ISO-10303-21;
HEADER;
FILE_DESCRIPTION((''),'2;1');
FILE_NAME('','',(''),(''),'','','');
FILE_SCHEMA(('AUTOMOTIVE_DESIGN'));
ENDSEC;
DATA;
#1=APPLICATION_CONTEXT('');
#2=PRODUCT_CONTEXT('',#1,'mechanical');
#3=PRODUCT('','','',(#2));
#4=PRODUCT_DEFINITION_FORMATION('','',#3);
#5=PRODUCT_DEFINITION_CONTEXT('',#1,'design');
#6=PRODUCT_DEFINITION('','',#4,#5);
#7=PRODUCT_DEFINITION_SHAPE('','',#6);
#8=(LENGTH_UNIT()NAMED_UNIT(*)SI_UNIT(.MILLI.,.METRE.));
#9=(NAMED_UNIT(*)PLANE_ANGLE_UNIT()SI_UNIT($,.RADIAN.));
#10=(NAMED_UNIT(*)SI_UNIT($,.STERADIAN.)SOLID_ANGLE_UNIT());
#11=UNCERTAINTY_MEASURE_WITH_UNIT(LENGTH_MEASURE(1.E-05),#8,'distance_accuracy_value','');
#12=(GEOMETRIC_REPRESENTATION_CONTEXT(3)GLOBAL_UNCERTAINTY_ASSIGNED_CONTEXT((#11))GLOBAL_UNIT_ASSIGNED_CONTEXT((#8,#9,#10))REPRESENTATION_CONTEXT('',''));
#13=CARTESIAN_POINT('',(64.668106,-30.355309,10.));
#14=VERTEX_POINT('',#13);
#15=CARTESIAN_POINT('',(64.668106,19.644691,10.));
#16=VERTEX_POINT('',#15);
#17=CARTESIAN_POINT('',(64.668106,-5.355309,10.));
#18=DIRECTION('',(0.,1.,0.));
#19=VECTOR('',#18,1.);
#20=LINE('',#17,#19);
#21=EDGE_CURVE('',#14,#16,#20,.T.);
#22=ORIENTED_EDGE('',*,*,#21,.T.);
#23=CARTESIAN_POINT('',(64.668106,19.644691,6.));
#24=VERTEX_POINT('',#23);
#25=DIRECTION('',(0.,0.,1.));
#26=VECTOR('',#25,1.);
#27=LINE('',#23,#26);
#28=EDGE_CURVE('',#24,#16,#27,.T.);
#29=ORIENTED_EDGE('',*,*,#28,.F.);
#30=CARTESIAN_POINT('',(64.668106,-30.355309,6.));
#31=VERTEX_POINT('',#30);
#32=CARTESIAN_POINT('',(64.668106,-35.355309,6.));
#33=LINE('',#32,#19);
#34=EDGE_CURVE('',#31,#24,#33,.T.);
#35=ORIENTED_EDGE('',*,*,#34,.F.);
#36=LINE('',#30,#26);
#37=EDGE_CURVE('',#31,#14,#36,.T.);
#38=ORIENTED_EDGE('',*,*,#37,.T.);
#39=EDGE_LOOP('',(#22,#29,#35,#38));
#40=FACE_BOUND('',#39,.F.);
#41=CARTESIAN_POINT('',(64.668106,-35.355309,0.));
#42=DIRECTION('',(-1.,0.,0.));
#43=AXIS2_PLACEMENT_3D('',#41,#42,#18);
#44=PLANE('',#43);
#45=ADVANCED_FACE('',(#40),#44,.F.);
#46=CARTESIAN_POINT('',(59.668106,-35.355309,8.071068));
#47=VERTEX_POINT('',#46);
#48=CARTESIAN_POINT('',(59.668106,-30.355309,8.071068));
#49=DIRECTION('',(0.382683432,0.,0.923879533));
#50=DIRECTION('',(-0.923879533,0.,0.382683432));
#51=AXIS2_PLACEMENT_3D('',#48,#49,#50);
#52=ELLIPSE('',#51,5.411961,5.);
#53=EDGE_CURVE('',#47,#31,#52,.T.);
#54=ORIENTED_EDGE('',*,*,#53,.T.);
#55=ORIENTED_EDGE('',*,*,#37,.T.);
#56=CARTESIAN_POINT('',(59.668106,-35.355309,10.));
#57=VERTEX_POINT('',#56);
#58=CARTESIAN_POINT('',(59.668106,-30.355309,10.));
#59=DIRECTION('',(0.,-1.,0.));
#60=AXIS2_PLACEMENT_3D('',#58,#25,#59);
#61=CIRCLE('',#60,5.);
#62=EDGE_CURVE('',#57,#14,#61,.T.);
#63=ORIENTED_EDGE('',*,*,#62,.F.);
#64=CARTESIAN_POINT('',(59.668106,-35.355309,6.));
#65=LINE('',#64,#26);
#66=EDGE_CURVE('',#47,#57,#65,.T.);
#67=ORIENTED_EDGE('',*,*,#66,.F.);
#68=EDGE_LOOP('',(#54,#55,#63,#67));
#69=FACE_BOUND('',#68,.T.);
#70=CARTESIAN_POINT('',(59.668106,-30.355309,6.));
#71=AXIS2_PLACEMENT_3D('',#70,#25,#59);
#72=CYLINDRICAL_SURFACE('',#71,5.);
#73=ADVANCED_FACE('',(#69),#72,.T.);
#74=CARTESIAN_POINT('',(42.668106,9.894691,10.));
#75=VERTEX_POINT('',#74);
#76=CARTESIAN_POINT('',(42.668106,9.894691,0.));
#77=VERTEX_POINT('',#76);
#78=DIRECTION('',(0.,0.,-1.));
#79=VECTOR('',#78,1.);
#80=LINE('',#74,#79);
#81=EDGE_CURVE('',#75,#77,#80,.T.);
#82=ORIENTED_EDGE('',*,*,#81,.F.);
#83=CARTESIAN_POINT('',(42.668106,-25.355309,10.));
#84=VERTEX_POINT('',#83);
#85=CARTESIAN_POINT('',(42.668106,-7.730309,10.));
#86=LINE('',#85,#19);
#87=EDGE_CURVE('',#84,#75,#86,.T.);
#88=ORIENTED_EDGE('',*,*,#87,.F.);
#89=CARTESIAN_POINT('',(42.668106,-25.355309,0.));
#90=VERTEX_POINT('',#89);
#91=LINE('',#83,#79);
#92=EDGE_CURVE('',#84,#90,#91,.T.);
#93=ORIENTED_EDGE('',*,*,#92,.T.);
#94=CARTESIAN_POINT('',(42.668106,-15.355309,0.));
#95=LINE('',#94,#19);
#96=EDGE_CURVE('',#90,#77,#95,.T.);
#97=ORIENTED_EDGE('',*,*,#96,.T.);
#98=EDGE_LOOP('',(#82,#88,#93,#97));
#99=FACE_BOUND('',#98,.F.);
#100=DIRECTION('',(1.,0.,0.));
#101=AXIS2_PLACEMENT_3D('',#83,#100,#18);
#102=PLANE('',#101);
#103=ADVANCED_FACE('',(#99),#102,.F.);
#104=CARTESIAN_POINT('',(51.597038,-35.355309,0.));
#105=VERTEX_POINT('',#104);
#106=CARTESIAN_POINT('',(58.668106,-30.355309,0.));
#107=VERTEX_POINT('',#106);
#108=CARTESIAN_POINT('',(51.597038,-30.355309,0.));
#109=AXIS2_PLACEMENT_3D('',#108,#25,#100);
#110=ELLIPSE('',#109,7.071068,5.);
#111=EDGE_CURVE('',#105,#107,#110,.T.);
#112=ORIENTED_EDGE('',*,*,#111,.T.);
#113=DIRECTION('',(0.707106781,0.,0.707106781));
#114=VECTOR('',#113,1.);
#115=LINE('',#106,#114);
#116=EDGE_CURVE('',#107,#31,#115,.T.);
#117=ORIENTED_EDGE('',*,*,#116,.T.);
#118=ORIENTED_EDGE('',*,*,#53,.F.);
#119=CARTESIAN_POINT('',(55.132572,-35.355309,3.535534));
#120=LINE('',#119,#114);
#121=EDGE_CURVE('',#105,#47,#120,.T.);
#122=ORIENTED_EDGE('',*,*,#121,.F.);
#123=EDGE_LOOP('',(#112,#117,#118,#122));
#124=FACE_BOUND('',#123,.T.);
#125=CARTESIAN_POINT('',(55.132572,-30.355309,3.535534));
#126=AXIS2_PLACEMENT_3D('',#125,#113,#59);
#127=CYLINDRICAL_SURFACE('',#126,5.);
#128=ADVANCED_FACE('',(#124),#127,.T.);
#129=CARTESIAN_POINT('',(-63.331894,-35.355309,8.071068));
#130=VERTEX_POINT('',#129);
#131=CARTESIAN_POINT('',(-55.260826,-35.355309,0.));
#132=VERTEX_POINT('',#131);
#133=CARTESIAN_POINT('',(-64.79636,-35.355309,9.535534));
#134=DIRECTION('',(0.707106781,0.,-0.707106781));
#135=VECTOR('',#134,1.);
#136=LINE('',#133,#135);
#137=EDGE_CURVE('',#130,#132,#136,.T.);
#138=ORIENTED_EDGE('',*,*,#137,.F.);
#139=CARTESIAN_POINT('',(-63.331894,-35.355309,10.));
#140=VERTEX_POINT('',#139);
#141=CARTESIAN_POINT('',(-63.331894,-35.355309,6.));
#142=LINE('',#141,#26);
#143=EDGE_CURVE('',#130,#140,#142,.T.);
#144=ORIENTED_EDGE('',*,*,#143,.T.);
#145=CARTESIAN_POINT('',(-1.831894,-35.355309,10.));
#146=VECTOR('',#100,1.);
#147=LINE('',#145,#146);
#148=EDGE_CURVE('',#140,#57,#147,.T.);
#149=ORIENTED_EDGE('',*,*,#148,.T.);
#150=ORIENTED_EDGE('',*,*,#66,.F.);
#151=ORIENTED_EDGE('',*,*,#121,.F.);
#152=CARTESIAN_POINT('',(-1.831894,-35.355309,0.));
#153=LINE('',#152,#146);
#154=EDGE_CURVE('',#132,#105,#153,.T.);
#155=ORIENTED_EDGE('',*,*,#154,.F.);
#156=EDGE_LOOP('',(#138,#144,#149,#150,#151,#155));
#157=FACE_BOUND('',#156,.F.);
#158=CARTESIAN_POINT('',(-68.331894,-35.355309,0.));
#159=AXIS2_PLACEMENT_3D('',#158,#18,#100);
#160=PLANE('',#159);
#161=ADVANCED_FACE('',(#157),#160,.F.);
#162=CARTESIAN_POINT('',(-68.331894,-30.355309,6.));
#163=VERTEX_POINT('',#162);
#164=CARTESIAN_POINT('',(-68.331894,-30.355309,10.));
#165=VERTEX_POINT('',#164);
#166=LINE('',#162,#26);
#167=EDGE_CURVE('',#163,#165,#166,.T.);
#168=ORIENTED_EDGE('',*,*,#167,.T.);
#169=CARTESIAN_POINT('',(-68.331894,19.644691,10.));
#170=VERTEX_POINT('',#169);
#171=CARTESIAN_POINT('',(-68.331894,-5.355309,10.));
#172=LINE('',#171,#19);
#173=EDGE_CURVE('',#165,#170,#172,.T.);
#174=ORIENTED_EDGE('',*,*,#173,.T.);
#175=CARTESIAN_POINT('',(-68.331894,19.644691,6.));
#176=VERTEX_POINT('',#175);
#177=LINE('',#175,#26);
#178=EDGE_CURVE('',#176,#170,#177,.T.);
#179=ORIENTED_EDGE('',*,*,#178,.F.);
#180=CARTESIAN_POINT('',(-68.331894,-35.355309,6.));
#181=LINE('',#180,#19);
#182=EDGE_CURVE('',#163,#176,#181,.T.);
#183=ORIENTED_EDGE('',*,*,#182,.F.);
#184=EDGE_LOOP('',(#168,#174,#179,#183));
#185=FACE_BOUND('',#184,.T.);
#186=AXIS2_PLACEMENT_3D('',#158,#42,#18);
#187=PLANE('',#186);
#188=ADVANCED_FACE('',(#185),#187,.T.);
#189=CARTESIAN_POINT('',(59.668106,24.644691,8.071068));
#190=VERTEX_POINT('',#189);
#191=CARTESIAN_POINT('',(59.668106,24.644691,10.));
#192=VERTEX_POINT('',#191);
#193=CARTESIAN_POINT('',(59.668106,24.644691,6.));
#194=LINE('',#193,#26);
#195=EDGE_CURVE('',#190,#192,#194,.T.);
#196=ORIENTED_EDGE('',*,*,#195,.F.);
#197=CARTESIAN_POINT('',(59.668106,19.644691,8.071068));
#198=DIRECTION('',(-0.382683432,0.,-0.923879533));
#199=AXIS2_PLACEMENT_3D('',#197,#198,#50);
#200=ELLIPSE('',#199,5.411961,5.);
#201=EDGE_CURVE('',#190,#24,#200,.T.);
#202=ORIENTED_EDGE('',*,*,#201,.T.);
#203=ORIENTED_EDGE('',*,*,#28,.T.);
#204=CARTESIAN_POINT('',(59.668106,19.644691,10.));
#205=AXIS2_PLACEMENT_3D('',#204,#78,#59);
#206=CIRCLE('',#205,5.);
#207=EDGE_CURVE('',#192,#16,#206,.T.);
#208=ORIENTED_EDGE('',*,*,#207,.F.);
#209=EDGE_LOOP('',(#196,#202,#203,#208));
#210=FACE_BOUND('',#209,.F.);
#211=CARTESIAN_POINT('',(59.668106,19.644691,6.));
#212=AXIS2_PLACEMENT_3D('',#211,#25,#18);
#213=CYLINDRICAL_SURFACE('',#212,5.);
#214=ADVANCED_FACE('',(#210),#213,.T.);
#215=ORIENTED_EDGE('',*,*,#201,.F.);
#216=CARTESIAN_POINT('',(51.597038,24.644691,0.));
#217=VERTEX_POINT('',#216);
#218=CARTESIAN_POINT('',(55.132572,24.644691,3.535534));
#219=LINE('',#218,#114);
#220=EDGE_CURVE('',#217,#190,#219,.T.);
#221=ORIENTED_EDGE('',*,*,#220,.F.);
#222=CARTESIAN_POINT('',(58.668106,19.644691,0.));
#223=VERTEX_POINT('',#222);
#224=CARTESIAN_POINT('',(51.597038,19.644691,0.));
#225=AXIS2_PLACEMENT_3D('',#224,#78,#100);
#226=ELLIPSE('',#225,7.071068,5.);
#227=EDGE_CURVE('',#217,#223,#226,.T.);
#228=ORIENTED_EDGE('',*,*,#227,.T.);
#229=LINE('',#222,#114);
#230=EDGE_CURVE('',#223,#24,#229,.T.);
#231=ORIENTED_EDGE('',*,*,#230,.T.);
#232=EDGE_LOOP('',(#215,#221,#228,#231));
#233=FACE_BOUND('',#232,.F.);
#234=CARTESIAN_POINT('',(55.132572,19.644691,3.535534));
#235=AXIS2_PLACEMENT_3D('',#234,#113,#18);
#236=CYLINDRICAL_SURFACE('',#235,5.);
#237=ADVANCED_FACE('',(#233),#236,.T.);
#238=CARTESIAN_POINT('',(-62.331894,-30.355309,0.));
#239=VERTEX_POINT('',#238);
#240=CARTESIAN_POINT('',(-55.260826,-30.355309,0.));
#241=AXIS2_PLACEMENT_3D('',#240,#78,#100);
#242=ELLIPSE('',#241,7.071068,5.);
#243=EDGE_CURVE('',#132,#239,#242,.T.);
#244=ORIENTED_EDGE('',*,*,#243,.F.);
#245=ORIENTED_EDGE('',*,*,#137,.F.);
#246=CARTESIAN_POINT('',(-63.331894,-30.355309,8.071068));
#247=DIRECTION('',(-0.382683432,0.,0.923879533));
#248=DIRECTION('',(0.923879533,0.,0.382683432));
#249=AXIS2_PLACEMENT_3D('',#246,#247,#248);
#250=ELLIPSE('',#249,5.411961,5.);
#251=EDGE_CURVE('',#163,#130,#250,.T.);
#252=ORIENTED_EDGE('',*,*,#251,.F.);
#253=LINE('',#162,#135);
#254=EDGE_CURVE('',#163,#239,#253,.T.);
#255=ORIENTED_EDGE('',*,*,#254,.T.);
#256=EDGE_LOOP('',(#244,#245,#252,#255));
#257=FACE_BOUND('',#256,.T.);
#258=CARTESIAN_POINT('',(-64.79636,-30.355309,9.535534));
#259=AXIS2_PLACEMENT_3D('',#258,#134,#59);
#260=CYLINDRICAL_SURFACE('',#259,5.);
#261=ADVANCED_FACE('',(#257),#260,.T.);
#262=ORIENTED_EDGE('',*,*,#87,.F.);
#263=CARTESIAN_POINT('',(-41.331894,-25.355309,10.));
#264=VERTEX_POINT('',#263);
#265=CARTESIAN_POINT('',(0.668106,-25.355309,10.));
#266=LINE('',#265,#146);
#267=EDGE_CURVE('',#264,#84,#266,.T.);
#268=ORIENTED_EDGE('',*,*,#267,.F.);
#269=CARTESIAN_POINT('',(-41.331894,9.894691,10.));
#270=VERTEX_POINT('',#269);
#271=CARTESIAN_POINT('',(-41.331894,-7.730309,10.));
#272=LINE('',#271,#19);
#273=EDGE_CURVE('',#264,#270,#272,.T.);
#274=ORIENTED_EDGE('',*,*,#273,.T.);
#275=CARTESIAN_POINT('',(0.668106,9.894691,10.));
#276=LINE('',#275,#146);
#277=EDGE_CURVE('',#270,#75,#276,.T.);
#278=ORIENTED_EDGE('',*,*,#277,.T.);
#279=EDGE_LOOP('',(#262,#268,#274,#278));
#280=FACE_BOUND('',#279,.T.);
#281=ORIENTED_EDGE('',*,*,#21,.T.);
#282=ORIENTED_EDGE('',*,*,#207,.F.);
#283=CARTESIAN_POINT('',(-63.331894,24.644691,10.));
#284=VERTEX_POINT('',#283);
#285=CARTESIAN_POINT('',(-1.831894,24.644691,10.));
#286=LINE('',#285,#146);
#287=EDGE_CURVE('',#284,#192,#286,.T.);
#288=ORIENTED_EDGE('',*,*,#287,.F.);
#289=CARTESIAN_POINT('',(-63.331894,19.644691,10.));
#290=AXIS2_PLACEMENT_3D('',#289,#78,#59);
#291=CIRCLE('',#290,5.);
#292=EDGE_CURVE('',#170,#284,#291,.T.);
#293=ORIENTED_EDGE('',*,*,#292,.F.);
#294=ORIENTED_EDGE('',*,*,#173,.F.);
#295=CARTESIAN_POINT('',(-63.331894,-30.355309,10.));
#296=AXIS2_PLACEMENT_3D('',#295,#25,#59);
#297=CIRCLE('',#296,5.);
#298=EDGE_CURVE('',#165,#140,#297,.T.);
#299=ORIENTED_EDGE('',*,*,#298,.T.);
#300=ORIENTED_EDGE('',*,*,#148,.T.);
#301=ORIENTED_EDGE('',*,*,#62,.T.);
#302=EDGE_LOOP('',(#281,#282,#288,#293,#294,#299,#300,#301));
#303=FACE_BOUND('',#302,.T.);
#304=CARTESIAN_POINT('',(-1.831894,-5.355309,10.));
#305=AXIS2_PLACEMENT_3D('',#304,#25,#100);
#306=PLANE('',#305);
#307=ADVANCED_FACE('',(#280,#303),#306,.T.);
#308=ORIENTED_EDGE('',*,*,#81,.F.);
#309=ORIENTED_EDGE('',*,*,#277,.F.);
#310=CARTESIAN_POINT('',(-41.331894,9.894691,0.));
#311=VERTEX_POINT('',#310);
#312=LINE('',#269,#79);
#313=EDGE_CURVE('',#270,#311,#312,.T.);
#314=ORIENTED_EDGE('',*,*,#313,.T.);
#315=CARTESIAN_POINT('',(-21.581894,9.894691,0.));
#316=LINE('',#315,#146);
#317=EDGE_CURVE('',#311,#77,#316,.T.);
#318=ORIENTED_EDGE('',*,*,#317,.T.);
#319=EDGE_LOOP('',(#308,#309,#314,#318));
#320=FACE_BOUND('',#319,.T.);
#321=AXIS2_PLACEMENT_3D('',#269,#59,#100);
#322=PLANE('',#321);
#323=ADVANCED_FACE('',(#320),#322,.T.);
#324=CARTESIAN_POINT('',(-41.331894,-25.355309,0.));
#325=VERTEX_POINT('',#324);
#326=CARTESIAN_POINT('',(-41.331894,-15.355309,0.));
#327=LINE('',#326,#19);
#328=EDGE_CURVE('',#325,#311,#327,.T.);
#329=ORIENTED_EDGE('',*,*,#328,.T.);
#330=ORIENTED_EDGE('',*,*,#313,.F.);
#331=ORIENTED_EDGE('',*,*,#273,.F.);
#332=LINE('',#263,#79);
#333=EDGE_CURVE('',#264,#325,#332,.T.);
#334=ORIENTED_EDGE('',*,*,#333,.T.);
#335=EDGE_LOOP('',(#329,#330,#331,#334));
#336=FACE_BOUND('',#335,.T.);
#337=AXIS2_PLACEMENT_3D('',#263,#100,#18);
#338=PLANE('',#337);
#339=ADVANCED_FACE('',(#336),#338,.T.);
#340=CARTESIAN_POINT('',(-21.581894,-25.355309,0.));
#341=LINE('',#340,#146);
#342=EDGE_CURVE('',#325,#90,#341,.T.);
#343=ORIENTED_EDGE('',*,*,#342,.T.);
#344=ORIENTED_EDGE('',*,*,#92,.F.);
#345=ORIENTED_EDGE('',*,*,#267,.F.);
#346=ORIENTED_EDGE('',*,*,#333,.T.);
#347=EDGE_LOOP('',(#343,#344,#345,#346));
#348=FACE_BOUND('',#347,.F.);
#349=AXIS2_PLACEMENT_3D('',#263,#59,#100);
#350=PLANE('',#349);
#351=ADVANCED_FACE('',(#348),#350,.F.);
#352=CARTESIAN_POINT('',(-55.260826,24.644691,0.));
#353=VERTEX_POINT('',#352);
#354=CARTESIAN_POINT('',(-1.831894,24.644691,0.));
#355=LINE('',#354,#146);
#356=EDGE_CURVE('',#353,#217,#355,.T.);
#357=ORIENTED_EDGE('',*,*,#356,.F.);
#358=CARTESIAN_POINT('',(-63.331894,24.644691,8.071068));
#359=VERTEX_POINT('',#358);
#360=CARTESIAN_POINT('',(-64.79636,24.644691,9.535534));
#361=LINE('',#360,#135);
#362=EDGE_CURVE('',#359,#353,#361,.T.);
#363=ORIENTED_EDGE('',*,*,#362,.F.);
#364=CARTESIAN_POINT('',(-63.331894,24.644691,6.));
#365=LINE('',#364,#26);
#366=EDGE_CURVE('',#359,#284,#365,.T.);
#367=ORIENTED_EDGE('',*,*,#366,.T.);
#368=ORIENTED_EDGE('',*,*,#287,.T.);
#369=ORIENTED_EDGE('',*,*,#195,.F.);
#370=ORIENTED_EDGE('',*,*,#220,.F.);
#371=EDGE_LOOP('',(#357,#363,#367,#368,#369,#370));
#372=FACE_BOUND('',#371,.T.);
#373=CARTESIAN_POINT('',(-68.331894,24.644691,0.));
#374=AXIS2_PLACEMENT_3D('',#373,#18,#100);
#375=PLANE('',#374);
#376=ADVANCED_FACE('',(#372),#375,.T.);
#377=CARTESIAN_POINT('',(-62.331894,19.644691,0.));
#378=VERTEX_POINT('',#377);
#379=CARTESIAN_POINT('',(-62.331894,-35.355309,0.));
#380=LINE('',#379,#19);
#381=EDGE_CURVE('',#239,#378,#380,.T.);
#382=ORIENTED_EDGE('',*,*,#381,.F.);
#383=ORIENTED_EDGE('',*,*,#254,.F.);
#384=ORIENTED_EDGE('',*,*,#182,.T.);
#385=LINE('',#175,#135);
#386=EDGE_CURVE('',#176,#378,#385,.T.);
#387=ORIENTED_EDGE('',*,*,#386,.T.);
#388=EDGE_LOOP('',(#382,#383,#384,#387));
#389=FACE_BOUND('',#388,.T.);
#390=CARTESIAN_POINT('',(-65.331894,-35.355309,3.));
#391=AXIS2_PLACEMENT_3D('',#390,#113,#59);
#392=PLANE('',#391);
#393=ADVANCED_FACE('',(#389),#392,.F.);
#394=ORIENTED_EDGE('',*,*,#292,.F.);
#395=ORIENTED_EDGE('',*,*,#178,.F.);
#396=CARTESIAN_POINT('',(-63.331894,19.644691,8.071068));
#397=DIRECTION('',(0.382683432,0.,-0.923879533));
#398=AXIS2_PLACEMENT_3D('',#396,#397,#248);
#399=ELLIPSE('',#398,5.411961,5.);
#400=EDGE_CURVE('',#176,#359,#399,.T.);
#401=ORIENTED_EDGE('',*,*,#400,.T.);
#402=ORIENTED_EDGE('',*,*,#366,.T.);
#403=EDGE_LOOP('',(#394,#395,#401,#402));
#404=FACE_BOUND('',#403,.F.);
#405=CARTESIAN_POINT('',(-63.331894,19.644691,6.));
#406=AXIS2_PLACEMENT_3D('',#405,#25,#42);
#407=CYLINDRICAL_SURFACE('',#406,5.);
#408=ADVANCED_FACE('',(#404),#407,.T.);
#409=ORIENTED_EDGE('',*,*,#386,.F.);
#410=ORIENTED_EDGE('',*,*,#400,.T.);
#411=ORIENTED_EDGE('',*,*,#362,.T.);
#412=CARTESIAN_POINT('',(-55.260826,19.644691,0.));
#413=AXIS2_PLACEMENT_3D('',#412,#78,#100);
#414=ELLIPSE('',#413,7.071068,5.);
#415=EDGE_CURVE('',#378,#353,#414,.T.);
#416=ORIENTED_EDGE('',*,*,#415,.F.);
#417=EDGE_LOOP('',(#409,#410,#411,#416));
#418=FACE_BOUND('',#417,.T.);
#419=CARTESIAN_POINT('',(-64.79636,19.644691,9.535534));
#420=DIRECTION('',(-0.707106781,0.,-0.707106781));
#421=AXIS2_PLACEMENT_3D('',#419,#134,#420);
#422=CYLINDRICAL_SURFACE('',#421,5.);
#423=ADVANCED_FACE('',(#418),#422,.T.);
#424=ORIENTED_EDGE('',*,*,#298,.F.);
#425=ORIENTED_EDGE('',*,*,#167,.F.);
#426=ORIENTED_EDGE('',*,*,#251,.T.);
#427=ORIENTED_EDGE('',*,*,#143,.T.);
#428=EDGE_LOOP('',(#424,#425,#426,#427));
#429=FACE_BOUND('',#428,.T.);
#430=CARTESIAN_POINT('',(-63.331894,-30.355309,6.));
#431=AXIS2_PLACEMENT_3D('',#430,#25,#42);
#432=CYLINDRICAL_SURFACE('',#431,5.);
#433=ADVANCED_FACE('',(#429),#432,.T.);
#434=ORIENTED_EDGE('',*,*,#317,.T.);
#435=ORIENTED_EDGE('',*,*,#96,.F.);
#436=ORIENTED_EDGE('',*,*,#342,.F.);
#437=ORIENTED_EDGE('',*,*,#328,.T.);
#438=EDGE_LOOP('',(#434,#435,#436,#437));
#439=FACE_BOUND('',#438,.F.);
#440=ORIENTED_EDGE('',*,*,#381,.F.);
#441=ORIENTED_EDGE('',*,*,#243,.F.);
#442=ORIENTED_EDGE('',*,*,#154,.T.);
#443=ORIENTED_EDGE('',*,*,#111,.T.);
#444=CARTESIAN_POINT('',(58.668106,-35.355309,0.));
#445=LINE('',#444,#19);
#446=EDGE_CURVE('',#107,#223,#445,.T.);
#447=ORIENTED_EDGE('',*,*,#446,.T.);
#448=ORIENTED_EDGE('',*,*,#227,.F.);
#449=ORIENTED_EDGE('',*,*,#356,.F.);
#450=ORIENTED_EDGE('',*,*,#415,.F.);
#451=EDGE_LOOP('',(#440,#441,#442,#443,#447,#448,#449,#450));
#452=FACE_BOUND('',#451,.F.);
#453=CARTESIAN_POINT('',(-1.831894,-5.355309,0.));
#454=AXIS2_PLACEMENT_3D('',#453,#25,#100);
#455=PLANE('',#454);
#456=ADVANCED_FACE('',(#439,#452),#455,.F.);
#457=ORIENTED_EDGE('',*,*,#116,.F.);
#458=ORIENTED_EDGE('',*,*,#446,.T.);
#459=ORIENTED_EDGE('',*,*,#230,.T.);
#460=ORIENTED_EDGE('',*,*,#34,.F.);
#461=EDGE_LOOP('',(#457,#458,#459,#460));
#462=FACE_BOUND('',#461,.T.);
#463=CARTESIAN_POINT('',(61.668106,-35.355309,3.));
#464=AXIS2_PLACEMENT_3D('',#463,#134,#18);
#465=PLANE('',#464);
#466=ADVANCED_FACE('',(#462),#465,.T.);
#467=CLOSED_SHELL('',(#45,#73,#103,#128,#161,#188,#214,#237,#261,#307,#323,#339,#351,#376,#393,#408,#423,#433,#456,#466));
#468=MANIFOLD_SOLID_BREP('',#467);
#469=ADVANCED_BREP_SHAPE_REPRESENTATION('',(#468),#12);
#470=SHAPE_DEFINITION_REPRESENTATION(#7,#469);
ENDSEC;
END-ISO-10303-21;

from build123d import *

# Parameters (mm, degrees)
F0_W     = 133
F0_H     = 60
F1_DEPTH = 10
F2_W     = 84
F2_H     = 35.25
F3_DEPTH = 10.001
F4_SIZE  = 6
F5_R     = 5


with BuildPart() as f1:
    # F0 (on Top) → F1 (new body)
    with BuildSketch(Plane.XY):
        with Locations((-1.8318939209, -5.355308602)):
            Rectangle(F0_W, F0_H)
    extrude(amount=F1_DEPTH)

    # F2 (on face) → F3 (cut, through all)
    with BuildSketch(Plane.XY.offset(10)):
        with Locations((0.6681060791, -7.730308602)):
            Rectangle(F2_W, F2_H)
    extrude(amount=-F3_DEPTH, mode=Mode.SUBTRACT)

    # F4
    f4_edges = [f1.edges().sort_by_distance(p)[0] for p in [
        (64.668106, -5.355309, 0),
        (-68.331894, -5.355309, 0),
    ]]
    chamfer(f4_edges, length=F4_SIZE)

    # F5
    f5_edges = [f1.edges().sort_by_distance(p)[0] for p in [
        (-68.331894, -35.355309, 8),
        (-65.331894, -35.355309, 3),
        (-68.331894, 24.644691, 8),
        (-65.331894, 24.644691, 3),
        (64.668106, 24.644691, 8),
        (61.668106, 24.644691, 3),
        (64.668106, -35.355309, 8),
        (61.668106, -35.355309, 3),
    ]]
    fillet(f5_edges, radius=F5_R)


solid = f1.part
